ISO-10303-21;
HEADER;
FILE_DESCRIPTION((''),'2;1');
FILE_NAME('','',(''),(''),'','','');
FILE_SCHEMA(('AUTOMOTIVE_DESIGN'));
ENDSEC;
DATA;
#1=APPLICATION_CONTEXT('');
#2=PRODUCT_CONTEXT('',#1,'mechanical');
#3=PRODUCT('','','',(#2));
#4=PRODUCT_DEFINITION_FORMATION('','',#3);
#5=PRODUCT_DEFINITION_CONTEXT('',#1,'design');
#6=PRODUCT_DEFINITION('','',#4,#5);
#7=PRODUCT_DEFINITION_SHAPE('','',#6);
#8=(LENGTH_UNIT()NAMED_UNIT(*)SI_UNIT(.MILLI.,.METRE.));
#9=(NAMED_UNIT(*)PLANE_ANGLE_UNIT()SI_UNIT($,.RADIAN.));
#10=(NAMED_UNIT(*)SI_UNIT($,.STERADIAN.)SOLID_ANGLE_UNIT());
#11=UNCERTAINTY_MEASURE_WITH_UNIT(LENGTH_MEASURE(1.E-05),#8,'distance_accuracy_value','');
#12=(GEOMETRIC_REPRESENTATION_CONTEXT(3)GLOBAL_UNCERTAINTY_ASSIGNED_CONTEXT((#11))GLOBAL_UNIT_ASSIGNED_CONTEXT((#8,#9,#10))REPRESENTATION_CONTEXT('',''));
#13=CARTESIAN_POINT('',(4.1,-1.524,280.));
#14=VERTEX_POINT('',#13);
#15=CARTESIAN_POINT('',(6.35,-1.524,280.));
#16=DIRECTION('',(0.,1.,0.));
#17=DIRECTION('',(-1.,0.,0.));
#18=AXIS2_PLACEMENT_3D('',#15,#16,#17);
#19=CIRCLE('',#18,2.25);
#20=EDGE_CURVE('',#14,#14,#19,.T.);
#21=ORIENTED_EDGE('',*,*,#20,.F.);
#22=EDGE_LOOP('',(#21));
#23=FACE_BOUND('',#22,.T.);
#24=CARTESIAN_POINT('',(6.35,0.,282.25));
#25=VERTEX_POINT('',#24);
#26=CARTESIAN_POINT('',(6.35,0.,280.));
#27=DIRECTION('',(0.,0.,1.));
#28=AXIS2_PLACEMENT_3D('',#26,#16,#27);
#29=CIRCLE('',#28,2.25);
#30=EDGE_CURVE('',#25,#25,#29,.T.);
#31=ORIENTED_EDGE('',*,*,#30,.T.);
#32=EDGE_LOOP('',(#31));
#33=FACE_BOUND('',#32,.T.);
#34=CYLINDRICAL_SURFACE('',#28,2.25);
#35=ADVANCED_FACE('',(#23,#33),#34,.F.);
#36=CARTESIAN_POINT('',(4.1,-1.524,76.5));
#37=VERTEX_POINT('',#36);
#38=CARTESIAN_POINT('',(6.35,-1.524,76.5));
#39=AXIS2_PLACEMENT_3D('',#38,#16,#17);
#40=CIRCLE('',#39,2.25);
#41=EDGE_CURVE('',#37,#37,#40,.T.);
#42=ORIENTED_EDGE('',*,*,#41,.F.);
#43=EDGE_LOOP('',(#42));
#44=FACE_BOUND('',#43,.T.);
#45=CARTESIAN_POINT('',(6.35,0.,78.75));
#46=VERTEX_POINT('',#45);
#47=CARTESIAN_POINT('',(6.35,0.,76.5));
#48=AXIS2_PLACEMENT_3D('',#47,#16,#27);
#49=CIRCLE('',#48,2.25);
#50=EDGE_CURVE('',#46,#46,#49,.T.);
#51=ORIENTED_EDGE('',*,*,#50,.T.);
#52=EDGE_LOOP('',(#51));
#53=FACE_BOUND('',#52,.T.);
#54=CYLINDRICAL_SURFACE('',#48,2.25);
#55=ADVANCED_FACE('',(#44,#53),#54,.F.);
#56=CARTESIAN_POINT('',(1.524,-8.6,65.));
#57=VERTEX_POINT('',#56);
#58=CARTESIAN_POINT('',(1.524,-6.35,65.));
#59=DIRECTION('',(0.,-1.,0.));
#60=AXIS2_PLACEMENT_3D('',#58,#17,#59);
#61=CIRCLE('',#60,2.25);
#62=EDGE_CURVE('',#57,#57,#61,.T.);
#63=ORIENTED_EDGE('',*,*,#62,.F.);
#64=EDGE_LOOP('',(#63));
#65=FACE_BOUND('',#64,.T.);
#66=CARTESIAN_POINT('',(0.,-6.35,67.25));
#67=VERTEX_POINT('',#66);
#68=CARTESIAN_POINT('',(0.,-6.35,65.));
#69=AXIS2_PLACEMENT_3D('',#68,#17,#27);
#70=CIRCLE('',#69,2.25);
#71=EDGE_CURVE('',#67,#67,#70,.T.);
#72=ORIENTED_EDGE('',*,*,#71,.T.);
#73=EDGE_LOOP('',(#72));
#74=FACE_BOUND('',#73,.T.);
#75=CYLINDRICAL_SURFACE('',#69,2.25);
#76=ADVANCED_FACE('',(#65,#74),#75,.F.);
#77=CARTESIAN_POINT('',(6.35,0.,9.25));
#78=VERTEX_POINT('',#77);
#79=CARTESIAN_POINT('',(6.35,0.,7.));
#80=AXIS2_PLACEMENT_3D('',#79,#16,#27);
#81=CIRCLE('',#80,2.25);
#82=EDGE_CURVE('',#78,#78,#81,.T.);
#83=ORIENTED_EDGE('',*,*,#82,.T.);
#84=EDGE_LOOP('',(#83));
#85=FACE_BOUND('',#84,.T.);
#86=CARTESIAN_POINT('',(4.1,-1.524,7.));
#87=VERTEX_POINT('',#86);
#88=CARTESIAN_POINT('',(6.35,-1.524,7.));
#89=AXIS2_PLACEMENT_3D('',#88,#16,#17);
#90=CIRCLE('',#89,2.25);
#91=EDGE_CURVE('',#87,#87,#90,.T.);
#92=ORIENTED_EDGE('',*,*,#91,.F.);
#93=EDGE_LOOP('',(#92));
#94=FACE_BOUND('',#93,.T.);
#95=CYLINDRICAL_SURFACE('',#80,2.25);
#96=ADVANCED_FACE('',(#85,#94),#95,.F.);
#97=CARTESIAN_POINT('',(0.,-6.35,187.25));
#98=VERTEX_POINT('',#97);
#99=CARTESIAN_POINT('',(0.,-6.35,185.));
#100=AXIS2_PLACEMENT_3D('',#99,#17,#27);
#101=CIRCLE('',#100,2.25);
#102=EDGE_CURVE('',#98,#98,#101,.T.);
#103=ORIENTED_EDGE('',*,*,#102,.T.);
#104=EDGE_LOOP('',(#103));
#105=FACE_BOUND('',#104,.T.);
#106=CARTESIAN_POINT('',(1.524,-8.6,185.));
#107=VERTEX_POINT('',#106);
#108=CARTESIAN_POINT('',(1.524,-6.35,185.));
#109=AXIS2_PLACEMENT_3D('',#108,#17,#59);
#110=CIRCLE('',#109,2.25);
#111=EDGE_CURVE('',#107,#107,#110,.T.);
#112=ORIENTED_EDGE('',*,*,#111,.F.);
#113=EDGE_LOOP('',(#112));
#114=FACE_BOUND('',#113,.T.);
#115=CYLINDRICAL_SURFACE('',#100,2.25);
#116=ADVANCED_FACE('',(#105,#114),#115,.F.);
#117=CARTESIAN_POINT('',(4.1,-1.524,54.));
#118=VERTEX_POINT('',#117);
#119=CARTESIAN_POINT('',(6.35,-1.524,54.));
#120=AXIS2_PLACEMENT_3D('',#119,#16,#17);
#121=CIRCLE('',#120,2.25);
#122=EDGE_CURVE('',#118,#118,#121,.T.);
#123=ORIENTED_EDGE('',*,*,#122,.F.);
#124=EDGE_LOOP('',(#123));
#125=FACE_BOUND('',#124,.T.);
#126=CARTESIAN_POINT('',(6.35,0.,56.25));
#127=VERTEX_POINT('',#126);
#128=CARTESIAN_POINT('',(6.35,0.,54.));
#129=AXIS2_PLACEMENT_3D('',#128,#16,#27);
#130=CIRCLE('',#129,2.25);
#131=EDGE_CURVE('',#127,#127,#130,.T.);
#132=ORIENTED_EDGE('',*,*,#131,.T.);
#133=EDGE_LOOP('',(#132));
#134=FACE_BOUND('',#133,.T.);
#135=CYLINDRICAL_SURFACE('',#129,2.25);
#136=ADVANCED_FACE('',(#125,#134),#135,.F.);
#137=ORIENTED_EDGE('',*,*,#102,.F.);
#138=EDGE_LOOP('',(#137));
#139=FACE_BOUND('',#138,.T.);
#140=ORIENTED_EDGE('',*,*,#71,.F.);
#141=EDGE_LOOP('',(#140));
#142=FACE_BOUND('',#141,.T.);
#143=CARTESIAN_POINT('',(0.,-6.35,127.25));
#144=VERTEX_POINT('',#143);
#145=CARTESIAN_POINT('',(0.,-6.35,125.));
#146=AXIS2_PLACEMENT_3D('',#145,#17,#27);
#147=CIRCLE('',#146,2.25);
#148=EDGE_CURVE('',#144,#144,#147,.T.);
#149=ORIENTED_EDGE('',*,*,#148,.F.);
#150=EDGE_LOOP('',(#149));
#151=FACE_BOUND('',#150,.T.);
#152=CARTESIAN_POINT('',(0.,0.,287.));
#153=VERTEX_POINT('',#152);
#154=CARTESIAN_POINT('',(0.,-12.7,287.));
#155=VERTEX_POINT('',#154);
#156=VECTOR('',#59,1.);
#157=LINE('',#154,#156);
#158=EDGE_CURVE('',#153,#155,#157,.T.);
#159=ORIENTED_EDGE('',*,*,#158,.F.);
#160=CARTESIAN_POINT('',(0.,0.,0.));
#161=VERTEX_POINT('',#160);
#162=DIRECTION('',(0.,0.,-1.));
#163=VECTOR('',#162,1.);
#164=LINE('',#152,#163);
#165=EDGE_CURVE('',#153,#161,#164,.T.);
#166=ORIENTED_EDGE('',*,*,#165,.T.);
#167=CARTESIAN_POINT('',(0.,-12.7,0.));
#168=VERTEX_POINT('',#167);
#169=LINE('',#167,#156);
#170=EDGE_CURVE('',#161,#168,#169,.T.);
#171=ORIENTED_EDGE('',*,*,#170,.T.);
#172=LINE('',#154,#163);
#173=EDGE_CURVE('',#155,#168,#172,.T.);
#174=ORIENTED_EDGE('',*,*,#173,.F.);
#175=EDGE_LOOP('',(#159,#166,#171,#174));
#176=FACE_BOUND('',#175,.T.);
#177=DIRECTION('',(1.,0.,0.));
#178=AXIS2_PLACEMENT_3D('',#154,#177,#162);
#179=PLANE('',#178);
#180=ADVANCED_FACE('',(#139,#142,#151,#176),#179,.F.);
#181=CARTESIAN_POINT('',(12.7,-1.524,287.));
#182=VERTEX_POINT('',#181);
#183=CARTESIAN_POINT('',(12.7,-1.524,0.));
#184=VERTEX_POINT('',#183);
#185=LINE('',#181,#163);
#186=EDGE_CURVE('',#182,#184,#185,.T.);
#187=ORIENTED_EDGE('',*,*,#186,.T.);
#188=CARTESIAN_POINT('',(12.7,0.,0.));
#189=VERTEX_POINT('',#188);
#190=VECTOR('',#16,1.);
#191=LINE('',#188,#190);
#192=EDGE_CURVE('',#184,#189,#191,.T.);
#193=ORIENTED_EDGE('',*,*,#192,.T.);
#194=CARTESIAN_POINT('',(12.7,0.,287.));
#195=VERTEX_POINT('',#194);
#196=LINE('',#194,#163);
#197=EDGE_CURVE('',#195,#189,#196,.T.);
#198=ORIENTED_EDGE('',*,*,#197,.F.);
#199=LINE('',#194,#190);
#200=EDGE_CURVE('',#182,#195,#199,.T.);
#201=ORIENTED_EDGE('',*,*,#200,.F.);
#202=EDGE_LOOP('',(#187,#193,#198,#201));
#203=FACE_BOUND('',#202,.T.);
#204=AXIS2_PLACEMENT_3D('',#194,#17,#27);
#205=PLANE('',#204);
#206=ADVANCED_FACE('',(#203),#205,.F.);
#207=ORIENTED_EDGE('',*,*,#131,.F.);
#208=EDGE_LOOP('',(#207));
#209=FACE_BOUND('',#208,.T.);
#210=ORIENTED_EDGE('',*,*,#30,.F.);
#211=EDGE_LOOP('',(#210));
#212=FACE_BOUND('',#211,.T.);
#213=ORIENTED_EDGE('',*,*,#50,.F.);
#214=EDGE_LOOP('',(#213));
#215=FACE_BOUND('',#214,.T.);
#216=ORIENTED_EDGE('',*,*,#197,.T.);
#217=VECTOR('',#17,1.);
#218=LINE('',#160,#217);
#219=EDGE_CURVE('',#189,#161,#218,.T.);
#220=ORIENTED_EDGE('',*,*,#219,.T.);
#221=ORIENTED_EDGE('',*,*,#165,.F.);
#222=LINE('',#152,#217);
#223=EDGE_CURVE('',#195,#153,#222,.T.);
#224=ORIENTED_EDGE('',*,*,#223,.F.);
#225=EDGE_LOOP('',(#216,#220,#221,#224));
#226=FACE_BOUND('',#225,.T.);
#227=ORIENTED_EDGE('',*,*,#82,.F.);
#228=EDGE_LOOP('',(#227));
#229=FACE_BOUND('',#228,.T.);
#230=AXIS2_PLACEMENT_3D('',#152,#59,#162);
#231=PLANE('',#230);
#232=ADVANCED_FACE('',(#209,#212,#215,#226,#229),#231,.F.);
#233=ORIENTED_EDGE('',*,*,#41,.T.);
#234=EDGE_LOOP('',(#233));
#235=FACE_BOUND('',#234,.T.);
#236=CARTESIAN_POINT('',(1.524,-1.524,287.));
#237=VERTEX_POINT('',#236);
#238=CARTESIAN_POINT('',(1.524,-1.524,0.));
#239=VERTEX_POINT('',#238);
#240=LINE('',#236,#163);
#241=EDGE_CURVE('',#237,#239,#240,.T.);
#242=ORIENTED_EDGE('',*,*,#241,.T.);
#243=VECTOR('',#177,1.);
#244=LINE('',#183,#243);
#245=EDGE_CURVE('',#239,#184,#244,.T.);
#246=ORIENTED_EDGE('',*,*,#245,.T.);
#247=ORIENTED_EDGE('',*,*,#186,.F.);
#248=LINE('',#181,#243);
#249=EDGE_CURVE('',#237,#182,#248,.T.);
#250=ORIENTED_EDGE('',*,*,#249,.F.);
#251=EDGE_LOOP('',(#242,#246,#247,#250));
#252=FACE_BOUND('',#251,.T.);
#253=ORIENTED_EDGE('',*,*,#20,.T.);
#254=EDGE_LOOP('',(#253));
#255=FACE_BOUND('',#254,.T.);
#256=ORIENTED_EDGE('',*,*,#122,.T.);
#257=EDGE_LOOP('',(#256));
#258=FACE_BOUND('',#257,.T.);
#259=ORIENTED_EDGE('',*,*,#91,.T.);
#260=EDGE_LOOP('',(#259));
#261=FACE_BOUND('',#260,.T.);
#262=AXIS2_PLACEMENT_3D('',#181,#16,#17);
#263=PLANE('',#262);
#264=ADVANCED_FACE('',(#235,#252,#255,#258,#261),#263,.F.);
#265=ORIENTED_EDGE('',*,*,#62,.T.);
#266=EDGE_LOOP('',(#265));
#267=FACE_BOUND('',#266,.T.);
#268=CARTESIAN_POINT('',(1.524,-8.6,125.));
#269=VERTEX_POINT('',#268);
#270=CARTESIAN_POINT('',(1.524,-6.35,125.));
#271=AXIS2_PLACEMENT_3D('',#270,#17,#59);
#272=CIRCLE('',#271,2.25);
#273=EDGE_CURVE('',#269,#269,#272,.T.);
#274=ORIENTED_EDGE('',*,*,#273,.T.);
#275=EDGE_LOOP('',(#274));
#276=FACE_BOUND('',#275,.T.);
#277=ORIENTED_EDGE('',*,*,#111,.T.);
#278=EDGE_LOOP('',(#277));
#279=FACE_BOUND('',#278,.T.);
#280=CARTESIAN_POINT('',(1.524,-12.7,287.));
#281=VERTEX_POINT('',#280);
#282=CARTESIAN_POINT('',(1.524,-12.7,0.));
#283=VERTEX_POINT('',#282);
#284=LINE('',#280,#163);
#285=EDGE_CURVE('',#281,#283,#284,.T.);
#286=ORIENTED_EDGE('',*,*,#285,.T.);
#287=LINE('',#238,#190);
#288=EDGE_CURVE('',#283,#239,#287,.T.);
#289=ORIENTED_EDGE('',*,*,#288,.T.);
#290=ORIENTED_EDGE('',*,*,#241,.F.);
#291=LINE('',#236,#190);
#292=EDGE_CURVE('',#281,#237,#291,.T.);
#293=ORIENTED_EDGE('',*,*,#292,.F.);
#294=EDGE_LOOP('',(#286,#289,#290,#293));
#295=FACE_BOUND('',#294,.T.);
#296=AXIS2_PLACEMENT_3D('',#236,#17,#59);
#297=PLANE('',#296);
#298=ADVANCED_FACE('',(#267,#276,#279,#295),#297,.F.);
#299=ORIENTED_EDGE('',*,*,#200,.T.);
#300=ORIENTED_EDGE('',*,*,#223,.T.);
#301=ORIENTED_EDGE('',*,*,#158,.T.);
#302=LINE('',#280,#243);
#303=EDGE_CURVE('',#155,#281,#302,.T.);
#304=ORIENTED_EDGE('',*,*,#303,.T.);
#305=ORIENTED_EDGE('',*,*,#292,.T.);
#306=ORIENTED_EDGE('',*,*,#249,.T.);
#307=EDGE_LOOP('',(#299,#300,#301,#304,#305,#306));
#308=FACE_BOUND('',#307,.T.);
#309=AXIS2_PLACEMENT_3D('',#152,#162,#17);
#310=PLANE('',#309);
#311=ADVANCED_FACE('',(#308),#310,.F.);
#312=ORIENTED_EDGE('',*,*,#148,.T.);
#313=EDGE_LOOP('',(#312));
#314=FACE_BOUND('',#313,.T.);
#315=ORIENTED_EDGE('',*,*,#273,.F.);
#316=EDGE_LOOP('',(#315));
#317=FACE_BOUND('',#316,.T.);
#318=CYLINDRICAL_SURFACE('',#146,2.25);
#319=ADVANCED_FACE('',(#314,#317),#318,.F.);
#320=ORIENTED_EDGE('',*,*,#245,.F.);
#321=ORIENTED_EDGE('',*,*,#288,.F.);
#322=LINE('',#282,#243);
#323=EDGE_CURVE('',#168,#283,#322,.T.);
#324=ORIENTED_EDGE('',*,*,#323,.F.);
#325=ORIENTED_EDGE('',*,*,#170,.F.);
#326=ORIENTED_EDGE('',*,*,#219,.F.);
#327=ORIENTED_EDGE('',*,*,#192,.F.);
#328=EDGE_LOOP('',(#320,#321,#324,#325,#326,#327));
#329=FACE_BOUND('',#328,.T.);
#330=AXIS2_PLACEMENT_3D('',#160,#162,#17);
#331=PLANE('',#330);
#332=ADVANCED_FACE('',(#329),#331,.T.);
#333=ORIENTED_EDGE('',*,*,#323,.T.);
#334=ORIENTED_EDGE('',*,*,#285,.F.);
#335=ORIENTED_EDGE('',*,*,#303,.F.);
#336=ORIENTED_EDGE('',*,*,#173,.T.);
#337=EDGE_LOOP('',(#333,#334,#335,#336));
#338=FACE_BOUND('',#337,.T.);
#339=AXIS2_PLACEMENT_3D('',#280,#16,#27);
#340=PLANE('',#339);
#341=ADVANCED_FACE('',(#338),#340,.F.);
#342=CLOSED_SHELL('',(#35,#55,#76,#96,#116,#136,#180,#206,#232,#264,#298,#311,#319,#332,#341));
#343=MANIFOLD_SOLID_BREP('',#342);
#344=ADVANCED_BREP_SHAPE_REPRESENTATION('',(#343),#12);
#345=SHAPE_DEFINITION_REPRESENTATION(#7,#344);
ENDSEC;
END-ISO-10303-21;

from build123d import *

# Parameters (mm, degrees)
BOSS_EXTRUDE1_DEPTH  = 287
M4_CLEARANCE_HOLE1_D = 4.5
M4_CLEARANCE_HOLE2_D = 4.5


with BuildPart() as part:
    # Sketch1 → Boss-Extrude1 (new body)
    with BuildSketch(Plane.XY):
        Polygon((0, 0), (12.7, 0), (12.7, -1.524), (1.524, -1.524), (1.524, -12.7), (0, -12.7), align=None)
    extrude(amount=BOSS_EXTRUDE1_DEPTH)

    # M4 Clearance Hole1 (through all)
    with Locations(Plane(origin=(0, 0, 0), x_dir=(1, 0, 0), z_dir=(0, 1, 0))):
        with Locations((6.35, -7), (6.35, -280), (6.35, -54), (6.35, -76.5)):
            Hole(M4_CLEARANCE_HOLE1_D / 2)

    # M4 Clearance Hole2 (through all)
    with Locations(Plane.ZY):
        with Locations((125, -6.35), (65, -6.35), (185, -6.35)):
            Hole(M4_CLEARANCE_HOLE2_D / 2)


solid = part.part
